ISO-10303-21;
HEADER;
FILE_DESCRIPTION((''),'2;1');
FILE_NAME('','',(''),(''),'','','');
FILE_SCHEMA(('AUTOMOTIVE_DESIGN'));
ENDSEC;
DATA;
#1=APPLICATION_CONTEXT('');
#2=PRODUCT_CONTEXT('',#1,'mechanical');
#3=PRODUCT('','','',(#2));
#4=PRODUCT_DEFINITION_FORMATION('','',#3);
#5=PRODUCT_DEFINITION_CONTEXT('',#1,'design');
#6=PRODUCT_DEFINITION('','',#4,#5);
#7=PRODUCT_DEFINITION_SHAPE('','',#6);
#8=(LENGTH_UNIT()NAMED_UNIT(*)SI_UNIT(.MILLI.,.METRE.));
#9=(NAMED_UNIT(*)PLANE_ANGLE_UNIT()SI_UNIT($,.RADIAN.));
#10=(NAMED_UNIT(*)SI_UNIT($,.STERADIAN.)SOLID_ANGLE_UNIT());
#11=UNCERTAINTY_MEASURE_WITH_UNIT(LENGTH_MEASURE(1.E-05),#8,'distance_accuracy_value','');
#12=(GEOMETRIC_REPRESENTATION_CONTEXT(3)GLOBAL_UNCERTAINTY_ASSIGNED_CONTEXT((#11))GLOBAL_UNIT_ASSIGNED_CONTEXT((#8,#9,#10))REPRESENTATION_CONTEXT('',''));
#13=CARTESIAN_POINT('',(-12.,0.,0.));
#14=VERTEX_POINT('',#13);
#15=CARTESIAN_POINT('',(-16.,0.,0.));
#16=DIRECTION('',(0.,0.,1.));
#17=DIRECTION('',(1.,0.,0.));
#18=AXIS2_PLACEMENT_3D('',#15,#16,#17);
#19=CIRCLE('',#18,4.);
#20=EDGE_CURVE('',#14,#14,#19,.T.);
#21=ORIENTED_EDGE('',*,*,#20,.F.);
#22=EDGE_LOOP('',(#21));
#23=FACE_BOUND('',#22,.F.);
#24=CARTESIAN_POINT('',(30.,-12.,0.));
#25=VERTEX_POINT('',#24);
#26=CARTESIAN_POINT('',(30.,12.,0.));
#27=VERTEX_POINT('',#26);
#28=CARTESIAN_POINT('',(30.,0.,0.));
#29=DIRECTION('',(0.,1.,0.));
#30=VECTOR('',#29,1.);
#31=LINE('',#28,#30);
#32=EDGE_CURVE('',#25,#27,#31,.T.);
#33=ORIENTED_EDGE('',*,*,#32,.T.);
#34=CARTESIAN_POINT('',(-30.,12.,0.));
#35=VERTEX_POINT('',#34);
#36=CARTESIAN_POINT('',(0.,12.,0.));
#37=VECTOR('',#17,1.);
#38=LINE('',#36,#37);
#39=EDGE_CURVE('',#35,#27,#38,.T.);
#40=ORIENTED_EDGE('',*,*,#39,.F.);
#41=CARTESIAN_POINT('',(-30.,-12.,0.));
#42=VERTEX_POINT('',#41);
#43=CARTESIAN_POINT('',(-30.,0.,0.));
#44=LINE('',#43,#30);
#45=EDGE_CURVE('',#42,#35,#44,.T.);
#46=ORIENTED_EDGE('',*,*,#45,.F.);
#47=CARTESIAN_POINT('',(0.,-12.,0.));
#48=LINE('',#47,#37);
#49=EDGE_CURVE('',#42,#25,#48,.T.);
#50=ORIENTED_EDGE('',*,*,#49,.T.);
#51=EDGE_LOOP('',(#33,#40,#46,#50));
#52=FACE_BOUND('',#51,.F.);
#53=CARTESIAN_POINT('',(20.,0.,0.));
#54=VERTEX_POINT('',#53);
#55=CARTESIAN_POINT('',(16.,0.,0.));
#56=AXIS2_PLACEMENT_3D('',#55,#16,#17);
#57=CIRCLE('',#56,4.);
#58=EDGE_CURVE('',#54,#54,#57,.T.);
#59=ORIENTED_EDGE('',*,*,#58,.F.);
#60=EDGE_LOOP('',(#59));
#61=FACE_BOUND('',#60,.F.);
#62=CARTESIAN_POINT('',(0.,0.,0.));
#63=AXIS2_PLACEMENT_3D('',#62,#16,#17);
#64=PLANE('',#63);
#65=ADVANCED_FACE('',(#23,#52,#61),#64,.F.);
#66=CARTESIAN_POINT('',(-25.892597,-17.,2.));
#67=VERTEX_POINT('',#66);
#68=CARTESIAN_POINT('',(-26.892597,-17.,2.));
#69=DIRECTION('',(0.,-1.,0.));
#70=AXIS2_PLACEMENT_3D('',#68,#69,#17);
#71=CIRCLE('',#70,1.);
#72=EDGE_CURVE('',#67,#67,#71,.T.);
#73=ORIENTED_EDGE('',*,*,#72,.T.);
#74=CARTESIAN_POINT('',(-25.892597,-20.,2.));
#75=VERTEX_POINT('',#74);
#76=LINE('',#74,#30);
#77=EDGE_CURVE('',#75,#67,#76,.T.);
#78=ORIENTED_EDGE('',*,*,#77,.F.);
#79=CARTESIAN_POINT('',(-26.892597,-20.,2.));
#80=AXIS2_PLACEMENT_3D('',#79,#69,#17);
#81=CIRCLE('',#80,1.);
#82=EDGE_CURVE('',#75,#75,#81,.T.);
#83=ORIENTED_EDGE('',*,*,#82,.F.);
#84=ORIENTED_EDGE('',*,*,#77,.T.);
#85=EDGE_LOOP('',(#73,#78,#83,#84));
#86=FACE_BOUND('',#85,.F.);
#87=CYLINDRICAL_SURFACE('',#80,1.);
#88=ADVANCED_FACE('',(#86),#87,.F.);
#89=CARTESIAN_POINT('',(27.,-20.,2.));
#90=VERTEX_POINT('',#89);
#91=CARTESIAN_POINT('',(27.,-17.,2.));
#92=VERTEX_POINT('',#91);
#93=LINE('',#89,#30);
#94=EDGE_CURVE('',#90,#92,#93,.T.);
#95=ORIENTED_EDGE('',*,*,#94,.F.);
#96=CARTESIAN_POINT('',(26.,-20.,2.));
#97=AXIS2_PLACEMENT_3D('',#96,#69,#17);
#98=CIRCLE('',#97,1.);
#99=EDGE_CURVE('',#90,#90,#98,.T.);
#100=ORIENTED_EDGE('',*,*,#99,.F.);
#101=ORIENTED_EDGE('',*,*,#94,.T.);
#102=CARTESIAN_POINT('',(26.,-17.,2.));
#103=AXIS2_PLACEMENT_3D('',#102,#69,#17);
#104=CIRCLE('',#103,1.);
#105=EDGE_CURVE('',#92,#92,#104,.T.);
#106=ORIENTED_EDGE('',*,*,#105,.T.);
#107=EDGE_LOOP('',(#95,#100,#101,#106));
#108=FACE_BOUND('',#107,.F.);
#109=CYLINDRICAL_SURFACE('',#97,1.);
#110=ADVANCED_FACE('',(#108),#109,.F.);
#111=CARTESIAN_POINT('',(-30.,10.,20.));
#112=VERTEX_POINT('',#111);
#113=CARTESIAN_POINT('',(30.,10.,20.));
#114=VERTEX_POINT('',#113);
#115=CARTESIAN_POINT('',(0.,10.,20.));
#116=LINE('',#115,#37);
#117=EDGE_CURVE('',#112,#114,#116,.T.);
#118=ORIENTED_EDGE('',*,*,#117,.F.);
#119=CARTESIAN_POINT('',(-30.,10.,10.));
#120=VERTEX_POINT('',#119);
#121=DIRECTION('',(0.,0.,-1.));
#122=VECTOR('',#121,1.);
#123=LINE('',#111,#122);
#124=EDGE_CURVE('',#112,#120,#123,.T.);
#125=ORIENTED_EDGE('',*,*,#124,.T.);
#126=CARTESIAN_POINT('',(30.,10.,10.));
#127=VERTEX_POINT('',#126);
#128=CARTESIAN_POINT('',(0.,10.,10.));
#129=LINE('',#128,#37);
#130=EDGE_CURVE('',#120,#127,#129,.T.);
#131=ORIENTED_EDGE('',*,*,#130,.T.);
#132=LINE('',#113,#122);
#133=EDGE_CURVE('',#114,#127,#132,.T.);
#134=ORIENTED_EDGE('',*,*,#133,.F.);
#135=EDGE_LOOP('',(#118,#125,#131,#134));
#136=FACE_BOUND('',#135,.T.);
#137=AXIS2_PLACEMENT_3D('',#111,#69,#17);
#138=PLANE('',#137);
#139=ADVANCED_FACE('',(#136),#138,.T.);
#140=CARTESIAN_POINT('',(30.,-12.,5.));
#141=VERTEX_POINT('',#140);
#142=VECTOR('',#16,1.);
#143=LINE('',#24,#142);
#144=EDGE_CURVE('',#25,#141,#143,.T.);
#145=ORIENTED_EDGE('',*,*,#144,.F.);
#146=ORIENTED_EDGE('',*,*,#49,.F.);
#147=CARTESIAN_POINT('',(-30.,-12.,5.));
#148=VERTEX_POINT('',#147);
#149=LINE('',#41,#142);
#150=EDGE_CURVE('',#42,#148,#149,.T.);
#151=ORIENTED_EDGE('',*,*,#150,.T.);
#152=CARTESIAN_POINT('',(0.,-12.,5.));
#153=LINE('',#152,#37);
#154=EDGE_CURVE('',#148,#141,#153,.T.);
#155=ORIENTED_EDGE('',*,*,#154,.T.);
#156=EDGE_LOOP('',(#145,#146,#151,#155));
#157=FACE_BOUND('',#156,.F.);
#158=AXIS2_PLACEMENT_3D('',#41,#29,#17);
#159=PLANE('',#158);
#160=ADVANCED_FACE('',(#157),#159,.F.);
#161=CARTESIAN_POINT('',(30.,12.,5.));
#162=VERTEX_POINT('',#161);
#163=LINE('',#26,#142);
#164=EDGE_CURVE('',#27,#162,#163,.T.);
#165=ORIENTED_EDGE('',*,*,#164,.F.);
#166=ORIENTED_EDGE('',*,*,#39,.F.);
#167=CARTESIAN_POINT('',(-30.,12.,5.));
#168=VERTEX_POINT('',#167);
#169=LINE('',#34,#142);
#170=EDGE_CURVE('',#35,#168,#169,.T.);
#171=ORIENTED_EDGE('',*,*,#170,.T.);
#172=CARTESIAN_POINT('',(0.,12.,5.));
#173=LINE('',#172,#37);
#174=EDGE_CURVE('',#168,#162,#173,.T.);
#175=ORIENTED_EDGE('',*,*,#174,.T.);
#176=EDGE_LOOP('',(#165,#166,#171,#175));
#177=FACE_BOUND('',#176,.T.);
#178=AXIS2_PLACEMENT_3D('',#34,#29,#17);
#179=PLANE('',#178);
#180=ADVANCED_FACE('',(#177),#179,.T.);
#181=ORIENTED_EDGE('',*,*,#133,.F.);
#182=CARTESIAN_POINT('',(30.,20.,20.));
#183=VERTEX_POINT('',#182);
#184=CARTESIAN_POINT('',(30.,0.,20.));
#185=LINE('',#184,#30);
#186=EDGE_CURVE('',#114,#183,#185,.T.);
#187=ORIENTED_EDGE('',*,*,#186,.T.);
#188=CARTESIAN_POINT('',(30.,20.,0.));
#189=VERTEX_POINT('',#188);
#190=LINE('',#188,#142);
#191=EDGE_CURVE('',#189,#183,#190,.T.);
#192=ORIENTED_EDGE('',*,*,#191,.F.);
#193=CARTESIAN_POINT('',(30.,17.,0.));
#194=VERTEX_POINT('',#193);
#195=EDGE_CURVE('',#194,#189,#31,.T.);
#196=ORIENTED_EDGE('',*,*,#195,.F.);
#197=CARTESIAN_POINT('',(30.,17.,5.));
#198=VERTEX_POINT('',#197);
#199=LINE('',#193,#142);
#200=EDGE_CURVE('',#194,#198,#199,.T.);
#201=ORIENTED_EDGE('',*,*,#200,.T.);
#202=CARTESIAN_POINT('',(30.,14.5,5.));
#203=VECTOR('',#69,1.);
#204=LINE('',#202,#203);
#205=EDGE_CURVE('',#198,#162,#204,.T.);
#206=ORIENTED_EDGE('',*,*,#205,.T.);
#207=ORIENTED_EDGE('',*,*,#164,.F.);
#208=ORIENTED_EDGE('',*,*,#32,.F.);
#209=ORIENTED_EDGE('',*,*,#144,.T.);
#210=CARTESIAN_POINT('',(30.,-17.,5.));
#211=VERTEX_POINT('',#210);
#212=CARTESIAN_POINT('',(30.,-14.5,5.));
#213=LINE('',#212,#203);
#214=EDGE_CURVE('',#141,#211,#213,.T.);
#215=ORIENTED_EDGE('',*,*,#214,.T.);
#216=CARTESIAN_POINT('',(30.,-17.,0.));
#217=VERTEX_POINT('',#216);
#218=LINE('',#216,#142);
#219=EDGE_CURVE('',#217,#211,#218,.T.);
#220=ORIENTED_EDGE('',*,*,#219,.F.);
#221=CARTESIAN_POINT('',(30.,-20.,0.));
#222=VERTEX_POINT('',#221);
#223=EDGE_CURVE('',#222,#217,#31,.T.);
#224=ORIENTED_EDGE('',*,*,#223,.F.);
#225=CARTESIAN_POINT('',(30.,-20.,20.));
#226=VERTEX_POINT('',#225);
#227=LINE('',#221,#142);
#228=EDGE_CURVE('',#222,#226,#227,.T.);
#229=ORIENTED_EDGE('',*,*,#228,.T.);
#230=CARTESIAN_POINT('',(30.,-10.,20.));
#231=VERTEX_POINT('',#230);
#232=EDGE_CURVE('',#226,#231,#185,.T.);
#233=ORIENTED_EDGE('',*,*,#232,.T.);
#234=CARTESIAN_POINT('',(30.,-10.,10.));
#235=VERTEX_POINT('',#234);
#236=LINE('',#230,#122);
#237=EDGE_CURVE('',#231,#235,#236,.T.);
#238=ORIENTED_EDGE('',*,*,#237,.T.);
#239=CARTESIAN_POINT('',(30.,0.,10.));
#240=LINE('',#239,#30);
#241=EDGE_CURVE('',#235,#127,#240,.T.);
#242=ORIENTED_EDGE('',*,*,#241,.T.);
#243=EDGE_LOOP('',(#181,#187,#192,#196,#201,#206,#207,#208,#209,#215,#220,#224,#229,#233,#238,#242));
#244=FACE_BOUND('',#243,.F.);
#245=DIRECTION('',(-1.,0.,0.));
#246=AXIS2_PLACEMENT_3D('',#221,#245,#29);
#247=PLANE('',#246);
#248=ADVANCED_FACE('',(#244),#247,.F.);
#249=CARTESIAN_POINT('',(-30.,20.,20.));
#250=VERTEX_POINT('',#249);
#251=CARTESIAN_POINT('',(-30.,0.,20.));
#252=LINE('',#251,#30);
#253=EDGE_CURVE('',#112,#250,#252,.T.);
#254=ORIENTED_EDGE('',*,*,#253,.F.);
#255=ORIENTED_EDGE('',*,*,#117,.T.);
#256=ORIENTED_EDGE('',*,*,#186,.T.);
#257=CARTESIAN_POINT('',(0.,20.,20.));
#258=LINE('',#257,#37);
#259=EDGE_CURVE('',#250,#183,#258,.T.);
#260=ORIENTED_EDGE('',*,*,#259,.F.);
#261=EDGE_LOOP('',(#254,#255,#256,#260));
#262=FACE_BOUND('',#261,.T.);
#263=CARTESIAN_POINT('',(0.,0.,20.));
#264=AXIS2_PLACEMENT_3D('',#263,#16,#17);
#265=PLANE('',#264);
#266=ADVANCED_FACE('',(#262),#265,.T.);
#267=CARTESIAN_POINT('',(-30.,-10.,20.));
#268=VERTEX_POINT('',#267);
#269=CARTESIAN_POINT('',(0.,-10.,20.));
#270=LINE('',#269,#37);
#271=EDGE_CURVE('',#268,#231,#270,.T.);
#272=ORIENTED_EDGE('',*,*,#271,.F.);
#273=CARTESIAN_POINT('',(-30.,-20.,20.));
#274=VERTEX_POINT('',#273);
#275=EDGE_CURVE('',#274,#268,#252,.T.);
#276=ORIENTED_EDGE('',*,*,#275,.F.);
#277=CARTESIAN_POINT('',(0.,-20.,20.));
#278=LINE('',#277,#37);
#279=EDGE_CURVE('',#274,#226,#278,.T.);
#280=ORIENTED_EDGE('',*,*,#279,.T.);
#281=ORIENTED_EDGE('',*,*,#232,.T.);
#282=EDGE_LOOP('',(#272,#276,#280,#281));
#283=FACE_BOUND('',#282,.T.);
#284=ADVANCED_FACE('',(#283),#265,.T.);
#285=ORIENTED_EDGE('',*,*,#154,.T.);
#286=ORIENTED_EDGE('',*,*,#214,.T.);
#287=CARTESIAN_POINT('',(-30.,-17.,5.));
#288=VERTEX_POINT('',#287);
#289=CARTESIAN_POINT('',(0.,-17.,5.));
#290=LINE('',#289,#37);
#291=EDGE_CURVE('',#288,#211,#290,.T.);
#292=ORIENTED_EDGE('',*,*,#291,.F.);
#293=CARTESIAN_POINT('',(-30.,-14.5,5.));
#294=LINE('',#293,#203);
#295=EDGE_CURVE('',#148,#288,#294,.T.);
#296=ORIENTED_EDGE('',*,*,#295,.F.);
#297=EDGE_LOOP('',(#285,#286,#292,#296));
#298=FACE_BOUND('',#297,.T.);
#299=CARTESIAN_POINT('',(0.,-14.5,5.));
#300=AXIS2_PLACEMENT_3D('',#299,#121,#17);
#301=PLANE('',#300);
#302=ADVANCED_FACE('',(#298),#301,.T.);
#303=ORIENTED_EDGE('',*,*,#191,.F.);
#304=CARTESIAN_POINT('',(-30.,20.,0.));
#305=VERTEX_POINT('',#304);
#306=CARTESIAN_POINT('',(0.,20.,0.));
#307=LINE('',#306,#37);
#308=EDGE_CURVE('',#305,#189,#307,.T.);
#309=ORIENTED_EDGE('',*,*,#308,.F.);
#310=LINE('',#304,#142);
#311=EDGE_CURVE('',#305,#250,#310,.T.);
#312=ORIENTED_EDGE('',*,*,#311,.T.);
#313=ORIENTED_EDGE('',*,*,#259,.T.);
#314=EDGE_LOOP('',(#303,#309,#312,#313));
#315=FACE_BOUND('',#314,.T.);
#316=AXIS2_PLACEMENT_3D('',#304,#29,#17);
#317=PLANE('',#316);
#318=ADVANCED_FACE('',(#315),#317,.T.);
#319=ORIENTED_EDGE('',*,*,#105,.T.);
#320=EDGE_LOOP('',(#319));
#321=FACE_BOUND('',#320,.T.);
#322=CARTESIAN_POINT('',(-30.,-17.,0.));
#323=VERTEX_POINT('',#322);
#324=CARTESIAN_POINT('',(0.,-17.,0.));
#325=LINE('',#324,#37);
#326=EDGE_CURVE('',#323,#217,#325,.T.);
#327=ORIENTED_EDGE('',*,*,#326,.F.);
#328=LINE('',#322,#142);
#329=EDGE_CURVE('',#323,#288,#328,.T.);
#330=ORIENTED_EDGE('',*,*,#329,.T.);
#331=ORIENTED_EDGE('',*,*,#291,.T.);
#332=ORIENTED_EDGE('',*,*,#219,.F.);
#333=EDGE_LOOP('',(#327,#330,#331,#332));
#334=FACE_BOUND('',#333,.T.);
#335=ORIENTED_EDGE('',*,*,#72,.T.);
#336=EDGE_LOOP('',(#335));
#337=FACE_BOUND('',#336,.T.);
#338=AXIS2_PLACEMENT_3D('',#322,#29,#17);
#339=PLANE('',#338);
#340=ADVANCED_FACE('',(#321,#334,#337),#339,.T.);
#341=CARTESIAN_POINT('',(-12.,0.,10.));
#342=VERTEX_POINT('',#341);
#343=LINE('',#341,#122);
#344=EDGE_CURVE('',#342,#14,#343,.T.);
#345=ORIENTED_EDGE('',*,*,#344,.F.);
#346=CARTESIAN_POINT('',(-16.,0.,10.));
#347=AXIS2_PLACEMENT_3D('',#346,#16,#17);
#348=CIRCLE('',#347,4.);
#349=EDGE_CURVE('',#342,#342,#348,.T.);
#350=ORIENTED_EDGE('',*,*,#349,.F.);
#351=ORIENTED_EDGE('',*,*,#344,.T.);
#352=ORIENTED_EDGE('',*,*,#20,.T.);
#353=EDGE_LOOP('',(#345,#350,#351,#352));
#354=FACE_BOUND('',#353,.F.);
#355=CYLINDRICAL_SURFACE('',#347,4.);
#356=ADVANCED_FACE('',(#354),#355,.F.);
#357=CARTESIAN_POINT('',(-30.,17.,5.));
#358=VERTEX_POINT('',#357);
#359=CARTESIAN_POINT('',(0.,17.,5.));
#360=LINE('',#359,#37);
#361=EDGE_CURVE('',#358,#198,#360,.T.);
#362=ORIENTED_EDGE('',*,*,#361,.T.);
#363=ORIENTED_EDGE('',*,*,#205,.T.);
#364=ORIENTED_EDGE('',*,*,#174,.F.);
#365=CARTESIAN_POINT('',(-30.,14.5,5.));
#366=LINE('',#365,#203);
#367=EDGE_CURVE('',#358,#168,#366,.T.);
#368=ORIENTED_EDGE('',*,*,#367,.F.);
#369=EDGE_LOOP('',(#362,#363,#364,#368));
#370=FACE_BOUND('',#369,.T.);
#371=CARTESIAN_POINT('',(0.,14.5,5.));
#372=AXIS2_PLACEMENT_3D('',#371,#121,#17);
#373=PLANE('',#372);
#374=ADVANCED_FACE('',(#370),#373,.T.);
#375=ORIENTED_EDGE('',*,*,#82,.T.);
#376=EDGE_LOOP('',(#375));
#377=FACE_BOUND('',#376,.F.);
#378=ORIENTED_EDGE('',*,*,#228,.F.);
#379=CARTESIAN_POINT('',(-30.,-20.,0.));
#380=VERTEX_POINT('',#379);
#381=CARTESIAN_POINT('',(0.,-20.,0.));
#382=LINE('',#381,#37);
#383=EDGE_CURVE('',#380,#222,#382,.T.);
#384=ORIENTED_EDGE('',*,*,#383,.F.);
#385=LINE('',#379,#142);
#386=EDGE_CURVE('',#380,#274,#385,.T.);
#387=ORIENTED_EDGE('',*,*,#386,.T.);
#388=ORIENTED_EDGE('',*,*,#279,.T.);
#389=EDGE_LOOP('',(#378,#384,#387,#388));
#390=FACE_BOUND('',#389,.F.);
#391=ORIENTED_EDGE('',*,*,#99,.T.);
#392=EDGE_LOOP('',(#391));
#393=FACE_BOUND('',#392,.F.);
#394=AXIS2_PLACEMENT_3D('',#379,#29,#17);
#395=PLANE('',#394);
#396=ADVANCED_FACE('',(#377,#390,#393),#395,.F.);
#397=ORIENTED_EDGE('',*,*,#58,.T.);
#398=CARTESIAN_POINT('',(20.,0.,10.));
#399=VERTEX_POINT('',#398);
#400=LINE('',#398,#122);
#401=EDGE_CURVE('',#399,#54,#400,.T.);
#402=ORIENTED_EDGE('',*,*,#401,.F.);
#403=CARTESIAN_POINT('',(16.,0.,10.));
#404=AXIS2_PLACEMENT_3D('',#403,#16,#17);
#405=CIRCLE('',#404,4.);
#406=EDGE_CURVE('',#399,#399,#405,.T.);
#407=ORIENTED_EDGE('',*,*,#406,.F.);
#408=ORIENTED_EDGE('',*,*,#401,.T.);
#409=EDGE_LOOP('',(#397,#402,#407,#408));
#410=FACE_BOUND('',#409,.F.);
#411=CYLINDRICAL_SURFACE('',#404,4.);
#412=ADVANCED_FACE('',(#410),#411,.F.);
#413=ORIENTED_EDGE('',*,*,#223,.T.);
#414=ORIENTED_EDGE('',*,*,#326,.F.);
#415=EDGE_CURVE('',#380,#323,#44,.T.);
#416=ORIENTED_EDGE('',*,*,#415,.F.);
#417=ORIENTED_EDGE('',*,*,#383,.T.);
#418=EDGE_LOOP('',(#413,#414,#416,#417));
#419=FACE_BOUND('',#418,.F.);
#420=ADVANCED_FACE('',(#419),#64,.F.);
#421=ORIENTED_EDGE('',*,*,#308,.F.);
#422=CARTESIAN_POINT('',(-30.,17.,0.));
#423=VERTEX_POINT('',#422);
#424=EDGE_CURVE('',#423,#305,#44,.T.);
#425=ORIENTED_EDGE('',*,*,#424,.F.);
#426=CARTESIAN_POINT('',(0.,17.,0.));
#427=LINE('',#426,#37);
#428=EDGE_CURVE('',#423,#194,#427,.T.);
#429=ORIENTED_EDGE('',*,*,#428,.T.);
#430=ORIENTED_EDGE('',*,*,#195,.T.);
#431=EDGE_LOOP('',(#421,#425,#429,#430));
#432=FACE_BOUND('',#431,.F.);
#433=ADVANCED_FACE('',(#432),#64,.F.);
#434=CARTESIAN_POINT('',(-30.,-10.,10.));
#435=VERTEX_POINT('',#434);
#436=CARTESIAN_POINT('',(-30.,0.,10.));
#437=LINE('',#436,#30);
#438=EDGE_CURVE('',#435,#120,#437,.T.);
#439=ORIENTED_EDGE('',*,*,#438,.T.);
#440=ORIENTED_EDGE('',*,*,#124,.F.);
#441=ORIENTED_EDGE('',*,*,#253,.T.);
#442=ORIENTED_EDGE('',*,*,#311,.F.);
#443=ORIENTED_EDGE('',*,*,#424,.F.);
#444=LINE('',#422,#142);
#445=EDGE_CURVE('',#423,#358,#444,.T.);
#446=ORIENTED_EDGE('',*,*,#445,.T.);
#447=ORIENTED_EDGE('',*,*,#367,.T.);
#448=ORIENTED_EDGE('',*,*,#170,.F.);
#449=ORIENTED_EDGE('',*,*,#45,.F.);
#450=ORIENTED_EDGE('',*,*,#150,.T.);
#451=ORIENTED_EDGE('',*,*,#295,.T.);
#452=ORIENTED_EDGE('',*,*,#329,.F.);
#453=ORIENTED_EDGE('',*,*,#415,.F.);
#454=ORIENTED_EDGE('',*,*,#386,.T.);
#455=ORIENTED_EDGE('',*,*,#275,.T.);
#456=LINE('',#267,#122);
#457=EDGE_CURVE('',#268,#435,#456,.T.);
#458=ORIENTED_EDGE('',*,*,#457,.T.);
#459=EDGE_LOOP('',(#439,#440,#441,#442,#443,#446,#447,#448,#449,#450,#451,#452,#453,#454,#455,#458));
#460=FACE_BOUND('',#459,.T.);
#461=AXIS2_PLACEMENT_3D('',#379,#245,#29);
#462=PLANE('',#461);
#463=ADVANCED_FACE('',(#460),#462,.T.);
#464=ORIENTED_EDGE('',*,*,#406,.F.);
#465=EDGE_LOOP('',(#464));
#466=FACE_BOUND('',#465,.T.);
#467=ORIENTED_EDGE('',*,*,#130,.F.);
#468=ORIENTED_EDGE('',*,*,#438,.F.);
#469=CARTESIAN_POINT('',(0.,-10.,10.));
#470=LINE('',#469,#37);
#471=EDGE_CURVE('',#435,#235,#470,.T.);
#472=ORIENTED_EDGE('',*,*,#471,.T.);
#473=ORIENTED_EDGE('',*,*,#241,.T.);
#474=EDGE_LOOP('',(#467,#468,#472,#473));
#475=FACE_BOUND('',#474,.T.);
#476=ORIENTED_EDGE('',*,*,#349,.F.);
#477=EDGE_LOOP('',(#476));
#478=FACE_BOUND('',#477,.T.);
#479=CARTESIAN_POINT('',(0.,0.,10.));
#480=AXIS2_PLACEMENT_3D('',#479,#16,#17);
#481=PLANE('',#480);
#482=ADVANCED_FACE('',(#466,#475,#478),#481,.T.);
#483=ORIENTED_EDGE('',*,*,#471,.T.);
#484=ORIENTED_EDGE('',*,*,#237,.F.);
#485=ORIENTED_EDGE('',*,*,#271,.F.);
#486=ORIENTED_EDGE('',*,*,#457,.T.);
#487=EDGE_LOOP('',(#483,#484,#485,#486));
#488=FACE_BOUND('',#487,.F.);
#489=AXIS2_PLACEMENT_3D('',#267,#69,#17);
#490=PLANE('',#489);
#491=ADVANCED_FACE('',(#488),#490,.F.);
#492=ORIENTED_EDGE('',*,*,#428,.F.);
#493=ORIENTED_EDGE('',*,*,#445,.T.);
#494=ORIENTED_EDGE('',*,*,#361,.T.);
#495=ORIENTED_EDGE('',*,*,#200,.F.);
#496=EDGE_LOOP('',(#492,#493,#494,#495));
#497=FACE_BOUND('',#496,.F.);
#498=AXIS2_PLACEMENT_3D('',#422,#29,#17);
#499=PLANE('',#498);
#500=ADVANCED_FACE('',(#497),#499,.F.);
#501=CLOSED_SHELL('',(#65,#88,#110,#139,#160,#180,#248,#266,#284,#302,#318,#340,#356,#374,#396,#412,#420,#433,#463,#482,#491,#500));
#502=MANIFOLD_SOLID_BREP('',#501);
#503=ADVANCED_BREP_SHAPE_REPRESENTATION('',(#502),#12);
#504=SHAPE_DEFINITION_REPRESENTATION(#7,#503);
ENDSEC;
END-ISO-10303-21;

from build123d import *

# Parameters (mm, degrees)
F0_W      = 60
F0_H      = 40
F1_DEPTH  = 20
F2_W      = 60
F2_H      = 20
F3_DEPTH  = 10
F4_R      = 4
F5_DEPTH  = 25
F6_R      = 4
F7_DEPTH  = 25
F8_W      = 60
F8_H      = 5
F9_DEPTH  = 5
F10_W     = 60
F10_H     = 5
F11_DEPTH = 5
F12_R     = 1
F13_DEPTH = 5
F14_R     = 1
F15_DEPTH = 5


with BuildPart() as f1:
    # F0 (on Top) → F1 (new body)
    with BuildSketch(Plane.XY):
        Rectangle(F0_W, F0_H)
    extrude(amount=F1_DEPTH)

    # F2 (on face) → F3 (cut)
    with BuildSketch(Plane.XY.offset(20)):
        Rectangle(F2_W, F2_H)
    extrude(amount=-F3_DEPTH, mode=Mode.SUBTRACT)

    # F4 (on face) → F5 (cut)
    with BuildSketch(Plane.XY.offset(10)):
        with Locations((-16, 0)):
            Circle(F4_R)
    extrude(amount=-F5_DEPTH, mode=Mode.SUBTRACT)

    # F6 (on face) → F7 (cut)
    with BuildSketch(Plane.XY.offset(10)):
        with Locations((16, 0)):
            Circle(F6_R)
    extrude(amount=-F7_DEPTH, mode=Mode.SUBTRACT)

    # F8 (on face) → F9 (cut)
    with BuildSketch(Plane(origin=(0, 0, 0), x_dir=(1, 0, 0), z_dir=(0, 0, -1))):
        with Locations((0, 14.5)):
            Rectangle(F8_W, F8_H)
    extrude(amount=-F9_DEPTH, mode=Mode.SUBTRACT)

    # F10 (on face) → F11 (cut)
    with BuildSketch(Plane(origin=(0, 0, 0), x_dir=(1, 0, 0), z_dir=(0, 0, -1))):
        with Locations((0, -14.5)):
            Rectangle(F10_W, F10_H)
    extrude(amount=-F11_DEPTH, mode=Mode.SUBTRACT)

    # F12 (on face) → F13 (cut)
    with BuildSketch(Plane.XZ.offset(20)):
        with Locations((-26.892597, 2)):
            Circle(F12_R)
    extrude(amount=-F13_DEPTH, mode=Mode.SUBTRACT)

    # F14 (on face) → F15 (cut)
    with BuildSketch(Plane.XZ.offset(20)):
        with Locations((26, 2)):
            Circle(F14_R)
    extrude(amount=-F15_DEPTH, mode=Mode.SUBTRACT)


solid = f1.part
